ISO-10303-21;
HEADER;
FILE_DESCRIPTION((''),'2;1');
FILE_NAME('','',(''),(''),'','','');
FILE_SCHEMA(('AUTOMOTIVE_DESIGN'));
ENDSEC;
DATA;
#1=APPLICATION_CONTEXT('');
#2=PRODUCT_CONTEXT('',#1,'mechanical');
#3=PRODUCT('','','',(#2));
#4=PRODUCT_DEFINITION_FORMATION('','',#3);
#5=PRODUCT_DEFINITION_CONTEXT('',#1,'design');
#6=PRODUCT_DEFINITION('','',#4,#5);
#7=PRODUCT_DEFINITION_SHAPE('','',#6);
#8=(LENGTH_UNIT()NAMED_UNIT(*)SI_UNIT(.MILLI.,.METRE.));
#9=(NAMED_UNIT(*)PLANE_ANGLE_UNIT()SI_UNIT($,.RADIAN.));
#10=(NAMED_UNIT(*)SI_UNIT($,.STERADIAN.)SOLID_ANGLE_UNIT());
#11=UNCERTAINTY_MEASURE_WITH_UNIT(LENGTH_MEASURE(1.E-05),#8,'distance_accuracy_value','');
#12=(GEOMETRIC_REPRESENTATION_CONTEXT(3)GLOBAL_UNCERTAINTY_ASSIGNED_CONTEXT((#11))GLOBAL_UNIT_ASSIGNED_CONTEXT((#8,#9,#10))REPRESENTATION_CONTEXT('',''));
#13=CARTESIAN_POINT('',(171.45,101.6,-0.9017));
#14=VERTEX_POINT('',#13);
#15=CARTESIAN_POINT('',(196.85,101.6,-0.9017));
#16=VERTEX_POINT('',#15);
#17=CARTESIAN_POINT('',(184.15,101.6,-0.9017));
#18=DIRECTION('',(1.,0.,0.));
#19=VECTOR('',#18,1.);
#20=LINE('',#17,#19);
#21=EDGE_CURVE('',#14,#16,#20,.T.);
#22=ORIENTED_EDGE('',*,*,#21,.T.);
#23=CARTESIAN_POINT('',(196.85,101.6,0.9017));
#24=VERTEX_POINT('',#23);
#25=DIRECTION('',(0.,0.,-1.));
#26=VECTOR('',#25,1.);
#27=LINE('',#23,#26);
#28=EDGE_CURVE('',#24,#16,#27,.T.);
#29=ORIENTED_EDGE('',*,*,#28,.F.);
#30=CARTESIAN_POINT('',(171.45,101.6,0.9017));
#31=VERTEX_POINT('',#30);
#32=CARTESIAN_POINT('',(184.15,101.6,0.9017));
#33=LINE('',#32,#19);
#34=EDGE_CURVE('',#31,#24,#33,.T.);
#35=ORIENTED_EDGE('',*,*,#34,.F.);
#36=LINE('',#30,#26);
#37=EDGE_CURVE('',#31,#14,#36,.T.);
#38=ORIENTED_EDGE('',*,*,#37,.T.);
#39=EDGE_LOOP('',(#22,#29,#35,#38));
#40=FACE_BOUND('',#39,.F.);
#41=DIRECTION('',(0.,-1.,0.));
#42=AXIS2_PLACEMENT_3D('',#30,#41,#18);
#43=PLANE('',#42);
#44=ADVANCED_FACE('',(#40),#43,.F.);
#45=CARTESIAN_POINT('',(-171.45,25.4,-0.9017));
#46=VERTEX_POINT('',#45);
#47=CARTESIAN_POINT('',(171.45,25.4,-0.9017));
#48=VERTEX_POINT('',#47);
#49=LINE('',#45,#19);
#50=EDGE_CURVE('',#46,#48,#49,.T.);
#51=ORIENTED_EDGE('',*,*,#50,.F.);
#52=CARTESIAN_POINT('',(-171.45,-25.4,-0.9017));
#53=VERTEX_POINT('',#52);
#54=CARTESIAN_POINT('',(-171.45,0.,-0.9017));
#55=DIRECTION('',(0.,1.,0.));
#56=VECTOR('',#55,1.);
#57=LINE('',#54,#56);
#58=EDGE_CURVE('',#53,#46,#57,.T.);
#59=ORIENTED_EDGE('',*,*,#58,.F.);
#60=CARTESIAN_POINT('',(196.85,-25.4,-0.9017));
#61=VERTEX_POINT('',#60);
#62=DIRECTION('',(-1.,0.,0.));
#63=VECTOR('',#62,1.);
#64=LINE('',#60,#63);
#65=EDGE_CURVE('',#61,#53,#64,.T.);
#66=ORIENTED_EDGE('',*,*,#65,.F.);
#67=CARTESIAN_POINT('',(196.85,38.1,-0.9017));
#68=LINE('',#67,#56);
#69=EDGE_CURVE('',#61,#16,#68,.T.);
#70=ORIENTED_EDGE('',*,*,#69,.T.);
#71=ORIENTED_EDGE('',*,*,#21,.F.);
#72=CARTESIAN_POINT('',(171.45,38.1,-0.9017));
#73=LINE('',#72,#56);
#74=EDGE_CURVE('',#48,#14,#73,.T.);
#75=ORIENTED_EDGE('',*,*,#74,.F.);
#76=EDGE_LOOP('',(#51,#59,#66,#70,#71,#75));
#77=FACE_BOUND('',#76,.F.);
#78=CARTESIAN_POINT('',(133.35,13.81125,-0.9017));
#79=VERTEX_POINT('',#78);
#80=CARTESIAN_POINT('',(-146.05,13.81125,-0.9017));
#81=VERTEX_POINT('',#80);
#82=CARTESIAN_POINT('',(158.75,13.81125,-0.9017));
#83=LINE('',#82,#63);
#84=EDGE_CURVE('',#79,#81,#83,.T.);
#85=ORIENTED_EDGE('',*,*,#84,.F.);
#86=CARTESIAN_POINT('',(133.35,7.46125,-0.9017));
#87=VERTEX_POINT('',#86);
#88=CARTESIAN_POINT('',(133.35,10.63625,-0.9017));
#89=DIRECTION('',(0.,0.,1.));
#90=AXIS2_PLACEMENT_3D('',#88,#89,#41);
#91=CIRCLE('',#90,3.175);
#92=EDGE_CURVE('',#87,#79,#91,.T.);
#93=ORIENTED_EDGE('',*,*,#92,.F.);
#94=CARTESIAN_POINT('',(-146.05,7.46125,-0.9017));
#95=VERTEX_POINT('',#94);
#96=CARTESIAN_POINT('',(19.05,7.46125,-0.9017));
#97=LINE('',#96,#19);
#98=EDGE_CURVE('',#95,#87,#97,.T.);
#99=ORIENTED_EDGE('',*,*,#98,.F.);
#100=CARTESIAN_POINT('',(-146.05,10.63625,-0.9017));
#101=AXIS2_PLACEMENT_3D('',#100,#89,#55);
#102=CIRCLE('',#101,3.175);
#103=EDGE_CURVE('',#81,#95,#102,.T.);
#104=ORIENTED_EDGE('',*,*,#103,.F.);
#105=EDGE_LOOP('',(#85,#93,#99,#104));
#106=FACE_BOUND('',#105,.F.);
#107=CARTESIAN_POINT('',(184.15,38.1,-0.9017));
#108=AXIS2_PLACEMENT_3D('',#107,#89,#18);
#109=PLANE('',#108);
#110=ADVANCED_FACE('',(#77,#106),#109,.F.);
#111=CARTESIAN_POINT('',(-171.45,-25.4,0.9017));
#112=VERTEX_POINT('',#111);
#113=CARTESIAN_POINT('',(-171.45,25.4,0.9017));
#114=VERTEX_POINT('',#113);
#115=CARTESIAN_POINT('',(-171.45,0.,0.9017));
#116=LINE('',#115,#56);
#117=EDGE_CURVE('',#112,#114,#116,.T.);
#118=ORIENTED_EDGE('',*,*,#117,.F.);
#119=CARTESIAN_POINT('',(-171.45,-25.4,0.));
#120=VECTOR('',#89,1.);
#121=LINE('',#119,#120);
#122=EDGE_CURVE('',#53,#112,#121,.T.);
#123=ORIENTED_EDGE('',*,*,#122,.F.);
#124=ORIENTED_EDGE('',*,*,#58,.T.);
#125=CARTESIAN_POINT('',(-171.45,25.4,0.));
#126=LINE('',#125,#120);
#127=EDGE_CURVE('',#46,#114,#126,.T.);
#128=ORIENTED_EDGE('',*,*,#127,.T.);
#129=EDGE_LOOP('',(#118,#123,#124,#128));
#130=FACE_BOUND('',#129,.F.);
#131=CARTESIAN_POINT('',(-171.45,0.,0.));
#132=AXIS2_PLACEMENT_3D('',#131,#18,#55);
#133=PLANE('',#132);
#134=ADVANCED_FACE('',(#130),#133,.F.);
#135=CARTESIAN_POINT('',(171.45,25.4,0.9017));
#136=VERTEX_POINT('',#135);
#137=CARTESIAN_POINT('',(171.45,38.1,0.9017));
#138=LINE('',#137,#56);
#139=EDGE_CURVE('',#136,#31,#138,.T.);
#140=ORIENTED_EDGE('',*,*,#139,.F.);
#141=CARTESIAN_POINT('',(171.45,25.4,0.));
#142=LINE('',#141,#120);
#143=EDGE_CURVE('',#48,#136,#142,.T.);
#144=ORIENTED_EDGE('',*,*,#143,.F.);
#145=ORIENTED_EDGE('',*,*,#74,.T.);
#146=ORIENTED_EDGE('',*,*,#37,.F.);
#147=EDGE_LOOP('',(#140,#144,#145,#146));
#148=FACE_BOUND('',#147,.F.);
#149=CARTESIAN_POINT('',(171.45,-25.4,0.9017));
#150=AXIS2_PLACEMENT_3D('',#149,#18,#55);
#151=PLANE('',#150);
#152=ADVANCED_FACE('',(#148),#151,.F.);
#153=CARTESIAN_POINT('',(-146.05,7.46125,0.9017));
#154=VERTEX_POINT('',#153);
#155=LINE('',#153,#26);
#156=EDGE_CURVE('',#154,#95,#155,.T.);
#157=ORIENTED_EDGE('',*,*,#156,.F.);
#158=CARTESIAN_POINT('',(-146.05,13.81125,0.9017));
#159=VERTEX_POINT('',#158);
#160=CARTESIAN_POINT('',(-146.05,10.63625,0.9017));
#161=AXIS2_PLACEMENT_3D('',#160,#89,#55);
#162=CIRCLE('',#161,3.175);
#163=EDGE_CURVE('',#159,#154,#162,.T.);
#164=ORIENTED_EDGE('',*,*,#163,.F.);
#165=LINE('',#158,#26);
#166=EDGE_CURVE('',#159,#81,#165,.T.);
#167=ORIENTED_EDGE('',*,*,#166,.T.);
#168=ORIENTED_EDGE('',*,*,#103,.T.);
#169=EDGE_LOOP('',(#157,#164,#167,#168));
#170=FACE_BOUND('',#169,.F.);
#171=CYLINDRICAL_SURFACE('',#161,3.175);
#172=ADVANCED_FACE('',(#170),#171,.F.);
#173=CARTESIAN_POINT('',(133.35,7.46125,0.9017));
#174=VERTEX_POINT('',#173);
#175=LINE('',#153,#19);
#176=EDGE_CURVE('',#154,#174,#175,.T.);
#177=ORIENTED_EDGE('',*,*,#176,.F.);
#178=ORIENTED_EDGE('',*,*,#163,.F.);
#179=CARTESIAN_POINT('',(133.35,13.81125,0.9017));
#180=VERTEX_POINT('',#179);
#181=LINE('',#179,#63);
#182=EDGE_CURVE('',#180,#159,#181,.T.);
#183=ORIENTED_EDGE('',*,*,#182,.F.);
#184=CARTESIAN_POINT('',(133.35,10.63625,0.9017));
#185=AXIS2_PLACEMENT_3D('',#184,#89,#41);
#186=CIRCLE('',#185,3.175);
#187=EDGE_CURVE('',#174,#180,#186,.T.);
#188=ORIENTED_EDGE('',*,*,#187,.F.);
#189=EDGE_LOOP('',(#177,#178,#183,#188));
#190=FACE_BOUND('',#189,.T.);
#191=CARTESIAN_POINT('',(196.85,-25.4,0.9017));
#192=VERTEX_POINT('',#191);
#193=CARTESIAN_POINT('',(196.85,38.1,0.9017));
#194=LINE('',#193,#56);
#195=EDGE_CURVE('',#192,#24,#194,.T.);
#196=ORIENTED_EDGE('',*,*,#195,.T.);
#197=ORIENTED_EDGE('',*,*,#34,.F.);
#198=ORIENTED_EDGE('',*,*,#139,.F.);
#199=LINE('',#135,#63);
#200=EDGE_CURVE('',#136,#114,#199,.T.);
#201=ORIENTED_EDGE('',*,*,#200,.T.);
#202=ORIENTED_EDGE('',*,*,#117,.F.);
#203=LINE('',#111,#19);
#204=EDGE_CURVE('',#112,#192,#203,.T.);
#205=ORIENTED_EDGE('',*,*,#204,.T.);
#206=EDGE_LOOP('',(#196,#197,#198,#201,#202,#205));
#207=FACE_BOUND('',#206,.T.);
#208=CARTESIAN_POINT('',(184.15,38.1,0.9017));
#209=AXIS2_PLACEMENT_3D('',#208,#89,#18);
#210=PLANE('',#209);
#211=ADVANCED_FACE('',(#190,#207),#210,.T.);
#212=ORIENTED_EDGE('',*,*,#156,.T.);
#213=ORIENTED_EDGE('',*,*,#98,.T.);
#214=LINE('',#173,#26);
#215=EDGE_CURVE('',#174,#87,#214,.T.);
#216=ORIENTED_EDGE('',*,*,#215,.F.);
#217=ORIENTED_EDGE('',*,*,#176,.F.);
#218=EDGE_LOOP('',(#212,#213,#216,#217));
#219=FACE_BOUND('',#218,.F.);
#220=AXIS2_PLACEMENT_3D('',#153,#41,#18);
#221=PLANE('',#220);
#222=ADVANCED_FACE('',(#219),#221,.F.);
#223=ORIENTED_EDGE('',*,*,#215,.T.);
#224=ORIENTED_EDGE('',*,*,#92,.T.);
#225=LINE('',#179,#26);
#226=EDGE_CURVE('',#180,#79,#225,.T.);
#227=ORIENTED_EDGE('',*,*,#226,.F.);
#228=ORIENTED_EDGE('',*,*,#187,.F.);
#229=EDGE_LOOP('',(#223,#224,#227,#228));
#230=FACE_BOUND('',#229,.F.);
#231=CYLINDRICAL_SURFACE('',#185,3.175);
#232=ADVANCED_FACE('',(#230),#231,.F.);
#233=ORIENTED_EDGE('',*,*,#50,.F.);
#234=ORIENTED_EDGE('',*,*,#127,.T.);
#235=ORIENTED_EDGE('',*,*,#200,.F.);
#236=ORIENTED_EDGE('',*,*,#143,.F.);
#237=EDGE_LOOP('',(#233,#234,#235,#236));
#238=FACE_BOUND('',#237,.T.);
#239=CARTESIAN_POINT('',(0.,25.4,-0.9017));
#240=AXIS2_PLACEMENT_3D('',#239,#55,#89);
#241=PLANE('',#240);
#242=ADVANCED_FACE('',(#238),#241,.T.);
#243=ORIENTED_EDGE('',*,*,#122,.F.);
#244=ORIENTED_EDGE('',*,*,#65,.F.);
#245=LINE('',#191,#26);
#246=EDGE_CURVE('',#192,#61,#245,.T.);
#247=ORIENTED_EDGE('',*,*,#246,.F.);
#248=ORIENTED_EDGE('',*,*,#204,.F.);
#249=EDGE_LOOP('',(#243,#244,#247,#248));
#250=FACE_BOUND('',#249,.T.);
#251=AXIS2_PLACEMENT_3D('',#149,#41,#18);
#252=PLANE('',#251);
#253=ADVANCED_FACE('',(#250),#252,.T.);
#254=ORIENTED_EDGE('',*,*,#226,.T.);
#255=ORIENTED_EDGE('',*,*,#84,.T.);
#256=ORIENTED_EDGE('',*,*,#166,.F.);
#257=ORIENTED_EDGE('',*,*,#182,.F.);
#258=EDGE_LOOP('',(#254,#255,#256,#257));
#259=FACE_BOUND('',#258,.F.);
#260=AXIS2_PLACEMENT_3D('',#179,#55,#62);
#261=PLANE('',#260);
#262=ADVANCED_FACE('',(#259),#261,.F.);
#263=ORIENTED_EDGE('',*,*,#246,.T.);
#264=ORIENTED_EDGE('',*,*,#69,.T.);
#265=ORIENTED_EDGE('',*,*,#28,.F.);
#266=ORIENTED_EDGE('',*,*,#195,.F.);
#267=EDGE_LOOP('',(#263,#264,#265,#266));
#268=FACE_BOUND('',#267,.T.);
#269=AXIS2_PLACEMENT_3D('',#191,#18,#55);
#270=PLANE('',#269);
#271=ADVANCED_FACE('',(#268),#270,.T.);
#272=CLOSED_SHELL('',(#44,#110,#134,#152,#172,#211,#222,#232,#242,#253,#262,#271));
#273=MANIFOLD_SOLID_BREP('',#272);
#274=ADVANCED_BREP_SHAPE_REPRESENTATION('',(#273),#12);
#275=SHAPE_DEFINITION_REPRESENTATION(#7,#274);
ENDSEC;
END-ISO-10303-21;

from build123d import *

# Parameters (mm, degrees)
F0_W          = 50.8
F0_H          = 1.8034
F1_DEPTH      = 171.45
F1_DEPTH_BACK = 171.45
F2_W          = 25.4
F2_H          = 127
F3_DEPTH      = 1.8034
F5_DEPTH      = 1.8044


with BuildPart() as f1:
    # F0 (on Right) → F1 (new body, two sides)
    with BuildSketch(Plane.YZ) as f1_sk:
        Rectangle(F0_W, F0_H)
    extrude(amount=F1_DEPTH)
    extrude(f1_sk.sketch, amount=-F1_DEPTH_BACK)

    # F2 (on face) → F3 (join)
    with BuildSketch(Plane.XY.offset(0.9017)):
        with Locations((184.15, 38.1)):
            Rectangle(F2_W, F2_H)
    extrude(amount=-F3_DEPTH)

    # F4 (on face) → F5 (cut, through all)
    with BuildSketch(Plane.XY.offset(0.9017)):
        with BuildLine():
            ThreePointArc((-146.05, 13.81125), (-149.225, 10.63625), (-146.05, 7.46125))
            Line((-146.05, 7.46125), (133.35, 7.46125))
            ThreePointArc((133.35, 7.46125), (136.525, 10.63625), (133.35, 13.81125))
            Line((133.35, 13.81125), (-146.05, 13.81125))
        make_face()
    extrude(amount=-F5_DEPTH, mode=Mode.SUBTRACT)


solid = f1.part
